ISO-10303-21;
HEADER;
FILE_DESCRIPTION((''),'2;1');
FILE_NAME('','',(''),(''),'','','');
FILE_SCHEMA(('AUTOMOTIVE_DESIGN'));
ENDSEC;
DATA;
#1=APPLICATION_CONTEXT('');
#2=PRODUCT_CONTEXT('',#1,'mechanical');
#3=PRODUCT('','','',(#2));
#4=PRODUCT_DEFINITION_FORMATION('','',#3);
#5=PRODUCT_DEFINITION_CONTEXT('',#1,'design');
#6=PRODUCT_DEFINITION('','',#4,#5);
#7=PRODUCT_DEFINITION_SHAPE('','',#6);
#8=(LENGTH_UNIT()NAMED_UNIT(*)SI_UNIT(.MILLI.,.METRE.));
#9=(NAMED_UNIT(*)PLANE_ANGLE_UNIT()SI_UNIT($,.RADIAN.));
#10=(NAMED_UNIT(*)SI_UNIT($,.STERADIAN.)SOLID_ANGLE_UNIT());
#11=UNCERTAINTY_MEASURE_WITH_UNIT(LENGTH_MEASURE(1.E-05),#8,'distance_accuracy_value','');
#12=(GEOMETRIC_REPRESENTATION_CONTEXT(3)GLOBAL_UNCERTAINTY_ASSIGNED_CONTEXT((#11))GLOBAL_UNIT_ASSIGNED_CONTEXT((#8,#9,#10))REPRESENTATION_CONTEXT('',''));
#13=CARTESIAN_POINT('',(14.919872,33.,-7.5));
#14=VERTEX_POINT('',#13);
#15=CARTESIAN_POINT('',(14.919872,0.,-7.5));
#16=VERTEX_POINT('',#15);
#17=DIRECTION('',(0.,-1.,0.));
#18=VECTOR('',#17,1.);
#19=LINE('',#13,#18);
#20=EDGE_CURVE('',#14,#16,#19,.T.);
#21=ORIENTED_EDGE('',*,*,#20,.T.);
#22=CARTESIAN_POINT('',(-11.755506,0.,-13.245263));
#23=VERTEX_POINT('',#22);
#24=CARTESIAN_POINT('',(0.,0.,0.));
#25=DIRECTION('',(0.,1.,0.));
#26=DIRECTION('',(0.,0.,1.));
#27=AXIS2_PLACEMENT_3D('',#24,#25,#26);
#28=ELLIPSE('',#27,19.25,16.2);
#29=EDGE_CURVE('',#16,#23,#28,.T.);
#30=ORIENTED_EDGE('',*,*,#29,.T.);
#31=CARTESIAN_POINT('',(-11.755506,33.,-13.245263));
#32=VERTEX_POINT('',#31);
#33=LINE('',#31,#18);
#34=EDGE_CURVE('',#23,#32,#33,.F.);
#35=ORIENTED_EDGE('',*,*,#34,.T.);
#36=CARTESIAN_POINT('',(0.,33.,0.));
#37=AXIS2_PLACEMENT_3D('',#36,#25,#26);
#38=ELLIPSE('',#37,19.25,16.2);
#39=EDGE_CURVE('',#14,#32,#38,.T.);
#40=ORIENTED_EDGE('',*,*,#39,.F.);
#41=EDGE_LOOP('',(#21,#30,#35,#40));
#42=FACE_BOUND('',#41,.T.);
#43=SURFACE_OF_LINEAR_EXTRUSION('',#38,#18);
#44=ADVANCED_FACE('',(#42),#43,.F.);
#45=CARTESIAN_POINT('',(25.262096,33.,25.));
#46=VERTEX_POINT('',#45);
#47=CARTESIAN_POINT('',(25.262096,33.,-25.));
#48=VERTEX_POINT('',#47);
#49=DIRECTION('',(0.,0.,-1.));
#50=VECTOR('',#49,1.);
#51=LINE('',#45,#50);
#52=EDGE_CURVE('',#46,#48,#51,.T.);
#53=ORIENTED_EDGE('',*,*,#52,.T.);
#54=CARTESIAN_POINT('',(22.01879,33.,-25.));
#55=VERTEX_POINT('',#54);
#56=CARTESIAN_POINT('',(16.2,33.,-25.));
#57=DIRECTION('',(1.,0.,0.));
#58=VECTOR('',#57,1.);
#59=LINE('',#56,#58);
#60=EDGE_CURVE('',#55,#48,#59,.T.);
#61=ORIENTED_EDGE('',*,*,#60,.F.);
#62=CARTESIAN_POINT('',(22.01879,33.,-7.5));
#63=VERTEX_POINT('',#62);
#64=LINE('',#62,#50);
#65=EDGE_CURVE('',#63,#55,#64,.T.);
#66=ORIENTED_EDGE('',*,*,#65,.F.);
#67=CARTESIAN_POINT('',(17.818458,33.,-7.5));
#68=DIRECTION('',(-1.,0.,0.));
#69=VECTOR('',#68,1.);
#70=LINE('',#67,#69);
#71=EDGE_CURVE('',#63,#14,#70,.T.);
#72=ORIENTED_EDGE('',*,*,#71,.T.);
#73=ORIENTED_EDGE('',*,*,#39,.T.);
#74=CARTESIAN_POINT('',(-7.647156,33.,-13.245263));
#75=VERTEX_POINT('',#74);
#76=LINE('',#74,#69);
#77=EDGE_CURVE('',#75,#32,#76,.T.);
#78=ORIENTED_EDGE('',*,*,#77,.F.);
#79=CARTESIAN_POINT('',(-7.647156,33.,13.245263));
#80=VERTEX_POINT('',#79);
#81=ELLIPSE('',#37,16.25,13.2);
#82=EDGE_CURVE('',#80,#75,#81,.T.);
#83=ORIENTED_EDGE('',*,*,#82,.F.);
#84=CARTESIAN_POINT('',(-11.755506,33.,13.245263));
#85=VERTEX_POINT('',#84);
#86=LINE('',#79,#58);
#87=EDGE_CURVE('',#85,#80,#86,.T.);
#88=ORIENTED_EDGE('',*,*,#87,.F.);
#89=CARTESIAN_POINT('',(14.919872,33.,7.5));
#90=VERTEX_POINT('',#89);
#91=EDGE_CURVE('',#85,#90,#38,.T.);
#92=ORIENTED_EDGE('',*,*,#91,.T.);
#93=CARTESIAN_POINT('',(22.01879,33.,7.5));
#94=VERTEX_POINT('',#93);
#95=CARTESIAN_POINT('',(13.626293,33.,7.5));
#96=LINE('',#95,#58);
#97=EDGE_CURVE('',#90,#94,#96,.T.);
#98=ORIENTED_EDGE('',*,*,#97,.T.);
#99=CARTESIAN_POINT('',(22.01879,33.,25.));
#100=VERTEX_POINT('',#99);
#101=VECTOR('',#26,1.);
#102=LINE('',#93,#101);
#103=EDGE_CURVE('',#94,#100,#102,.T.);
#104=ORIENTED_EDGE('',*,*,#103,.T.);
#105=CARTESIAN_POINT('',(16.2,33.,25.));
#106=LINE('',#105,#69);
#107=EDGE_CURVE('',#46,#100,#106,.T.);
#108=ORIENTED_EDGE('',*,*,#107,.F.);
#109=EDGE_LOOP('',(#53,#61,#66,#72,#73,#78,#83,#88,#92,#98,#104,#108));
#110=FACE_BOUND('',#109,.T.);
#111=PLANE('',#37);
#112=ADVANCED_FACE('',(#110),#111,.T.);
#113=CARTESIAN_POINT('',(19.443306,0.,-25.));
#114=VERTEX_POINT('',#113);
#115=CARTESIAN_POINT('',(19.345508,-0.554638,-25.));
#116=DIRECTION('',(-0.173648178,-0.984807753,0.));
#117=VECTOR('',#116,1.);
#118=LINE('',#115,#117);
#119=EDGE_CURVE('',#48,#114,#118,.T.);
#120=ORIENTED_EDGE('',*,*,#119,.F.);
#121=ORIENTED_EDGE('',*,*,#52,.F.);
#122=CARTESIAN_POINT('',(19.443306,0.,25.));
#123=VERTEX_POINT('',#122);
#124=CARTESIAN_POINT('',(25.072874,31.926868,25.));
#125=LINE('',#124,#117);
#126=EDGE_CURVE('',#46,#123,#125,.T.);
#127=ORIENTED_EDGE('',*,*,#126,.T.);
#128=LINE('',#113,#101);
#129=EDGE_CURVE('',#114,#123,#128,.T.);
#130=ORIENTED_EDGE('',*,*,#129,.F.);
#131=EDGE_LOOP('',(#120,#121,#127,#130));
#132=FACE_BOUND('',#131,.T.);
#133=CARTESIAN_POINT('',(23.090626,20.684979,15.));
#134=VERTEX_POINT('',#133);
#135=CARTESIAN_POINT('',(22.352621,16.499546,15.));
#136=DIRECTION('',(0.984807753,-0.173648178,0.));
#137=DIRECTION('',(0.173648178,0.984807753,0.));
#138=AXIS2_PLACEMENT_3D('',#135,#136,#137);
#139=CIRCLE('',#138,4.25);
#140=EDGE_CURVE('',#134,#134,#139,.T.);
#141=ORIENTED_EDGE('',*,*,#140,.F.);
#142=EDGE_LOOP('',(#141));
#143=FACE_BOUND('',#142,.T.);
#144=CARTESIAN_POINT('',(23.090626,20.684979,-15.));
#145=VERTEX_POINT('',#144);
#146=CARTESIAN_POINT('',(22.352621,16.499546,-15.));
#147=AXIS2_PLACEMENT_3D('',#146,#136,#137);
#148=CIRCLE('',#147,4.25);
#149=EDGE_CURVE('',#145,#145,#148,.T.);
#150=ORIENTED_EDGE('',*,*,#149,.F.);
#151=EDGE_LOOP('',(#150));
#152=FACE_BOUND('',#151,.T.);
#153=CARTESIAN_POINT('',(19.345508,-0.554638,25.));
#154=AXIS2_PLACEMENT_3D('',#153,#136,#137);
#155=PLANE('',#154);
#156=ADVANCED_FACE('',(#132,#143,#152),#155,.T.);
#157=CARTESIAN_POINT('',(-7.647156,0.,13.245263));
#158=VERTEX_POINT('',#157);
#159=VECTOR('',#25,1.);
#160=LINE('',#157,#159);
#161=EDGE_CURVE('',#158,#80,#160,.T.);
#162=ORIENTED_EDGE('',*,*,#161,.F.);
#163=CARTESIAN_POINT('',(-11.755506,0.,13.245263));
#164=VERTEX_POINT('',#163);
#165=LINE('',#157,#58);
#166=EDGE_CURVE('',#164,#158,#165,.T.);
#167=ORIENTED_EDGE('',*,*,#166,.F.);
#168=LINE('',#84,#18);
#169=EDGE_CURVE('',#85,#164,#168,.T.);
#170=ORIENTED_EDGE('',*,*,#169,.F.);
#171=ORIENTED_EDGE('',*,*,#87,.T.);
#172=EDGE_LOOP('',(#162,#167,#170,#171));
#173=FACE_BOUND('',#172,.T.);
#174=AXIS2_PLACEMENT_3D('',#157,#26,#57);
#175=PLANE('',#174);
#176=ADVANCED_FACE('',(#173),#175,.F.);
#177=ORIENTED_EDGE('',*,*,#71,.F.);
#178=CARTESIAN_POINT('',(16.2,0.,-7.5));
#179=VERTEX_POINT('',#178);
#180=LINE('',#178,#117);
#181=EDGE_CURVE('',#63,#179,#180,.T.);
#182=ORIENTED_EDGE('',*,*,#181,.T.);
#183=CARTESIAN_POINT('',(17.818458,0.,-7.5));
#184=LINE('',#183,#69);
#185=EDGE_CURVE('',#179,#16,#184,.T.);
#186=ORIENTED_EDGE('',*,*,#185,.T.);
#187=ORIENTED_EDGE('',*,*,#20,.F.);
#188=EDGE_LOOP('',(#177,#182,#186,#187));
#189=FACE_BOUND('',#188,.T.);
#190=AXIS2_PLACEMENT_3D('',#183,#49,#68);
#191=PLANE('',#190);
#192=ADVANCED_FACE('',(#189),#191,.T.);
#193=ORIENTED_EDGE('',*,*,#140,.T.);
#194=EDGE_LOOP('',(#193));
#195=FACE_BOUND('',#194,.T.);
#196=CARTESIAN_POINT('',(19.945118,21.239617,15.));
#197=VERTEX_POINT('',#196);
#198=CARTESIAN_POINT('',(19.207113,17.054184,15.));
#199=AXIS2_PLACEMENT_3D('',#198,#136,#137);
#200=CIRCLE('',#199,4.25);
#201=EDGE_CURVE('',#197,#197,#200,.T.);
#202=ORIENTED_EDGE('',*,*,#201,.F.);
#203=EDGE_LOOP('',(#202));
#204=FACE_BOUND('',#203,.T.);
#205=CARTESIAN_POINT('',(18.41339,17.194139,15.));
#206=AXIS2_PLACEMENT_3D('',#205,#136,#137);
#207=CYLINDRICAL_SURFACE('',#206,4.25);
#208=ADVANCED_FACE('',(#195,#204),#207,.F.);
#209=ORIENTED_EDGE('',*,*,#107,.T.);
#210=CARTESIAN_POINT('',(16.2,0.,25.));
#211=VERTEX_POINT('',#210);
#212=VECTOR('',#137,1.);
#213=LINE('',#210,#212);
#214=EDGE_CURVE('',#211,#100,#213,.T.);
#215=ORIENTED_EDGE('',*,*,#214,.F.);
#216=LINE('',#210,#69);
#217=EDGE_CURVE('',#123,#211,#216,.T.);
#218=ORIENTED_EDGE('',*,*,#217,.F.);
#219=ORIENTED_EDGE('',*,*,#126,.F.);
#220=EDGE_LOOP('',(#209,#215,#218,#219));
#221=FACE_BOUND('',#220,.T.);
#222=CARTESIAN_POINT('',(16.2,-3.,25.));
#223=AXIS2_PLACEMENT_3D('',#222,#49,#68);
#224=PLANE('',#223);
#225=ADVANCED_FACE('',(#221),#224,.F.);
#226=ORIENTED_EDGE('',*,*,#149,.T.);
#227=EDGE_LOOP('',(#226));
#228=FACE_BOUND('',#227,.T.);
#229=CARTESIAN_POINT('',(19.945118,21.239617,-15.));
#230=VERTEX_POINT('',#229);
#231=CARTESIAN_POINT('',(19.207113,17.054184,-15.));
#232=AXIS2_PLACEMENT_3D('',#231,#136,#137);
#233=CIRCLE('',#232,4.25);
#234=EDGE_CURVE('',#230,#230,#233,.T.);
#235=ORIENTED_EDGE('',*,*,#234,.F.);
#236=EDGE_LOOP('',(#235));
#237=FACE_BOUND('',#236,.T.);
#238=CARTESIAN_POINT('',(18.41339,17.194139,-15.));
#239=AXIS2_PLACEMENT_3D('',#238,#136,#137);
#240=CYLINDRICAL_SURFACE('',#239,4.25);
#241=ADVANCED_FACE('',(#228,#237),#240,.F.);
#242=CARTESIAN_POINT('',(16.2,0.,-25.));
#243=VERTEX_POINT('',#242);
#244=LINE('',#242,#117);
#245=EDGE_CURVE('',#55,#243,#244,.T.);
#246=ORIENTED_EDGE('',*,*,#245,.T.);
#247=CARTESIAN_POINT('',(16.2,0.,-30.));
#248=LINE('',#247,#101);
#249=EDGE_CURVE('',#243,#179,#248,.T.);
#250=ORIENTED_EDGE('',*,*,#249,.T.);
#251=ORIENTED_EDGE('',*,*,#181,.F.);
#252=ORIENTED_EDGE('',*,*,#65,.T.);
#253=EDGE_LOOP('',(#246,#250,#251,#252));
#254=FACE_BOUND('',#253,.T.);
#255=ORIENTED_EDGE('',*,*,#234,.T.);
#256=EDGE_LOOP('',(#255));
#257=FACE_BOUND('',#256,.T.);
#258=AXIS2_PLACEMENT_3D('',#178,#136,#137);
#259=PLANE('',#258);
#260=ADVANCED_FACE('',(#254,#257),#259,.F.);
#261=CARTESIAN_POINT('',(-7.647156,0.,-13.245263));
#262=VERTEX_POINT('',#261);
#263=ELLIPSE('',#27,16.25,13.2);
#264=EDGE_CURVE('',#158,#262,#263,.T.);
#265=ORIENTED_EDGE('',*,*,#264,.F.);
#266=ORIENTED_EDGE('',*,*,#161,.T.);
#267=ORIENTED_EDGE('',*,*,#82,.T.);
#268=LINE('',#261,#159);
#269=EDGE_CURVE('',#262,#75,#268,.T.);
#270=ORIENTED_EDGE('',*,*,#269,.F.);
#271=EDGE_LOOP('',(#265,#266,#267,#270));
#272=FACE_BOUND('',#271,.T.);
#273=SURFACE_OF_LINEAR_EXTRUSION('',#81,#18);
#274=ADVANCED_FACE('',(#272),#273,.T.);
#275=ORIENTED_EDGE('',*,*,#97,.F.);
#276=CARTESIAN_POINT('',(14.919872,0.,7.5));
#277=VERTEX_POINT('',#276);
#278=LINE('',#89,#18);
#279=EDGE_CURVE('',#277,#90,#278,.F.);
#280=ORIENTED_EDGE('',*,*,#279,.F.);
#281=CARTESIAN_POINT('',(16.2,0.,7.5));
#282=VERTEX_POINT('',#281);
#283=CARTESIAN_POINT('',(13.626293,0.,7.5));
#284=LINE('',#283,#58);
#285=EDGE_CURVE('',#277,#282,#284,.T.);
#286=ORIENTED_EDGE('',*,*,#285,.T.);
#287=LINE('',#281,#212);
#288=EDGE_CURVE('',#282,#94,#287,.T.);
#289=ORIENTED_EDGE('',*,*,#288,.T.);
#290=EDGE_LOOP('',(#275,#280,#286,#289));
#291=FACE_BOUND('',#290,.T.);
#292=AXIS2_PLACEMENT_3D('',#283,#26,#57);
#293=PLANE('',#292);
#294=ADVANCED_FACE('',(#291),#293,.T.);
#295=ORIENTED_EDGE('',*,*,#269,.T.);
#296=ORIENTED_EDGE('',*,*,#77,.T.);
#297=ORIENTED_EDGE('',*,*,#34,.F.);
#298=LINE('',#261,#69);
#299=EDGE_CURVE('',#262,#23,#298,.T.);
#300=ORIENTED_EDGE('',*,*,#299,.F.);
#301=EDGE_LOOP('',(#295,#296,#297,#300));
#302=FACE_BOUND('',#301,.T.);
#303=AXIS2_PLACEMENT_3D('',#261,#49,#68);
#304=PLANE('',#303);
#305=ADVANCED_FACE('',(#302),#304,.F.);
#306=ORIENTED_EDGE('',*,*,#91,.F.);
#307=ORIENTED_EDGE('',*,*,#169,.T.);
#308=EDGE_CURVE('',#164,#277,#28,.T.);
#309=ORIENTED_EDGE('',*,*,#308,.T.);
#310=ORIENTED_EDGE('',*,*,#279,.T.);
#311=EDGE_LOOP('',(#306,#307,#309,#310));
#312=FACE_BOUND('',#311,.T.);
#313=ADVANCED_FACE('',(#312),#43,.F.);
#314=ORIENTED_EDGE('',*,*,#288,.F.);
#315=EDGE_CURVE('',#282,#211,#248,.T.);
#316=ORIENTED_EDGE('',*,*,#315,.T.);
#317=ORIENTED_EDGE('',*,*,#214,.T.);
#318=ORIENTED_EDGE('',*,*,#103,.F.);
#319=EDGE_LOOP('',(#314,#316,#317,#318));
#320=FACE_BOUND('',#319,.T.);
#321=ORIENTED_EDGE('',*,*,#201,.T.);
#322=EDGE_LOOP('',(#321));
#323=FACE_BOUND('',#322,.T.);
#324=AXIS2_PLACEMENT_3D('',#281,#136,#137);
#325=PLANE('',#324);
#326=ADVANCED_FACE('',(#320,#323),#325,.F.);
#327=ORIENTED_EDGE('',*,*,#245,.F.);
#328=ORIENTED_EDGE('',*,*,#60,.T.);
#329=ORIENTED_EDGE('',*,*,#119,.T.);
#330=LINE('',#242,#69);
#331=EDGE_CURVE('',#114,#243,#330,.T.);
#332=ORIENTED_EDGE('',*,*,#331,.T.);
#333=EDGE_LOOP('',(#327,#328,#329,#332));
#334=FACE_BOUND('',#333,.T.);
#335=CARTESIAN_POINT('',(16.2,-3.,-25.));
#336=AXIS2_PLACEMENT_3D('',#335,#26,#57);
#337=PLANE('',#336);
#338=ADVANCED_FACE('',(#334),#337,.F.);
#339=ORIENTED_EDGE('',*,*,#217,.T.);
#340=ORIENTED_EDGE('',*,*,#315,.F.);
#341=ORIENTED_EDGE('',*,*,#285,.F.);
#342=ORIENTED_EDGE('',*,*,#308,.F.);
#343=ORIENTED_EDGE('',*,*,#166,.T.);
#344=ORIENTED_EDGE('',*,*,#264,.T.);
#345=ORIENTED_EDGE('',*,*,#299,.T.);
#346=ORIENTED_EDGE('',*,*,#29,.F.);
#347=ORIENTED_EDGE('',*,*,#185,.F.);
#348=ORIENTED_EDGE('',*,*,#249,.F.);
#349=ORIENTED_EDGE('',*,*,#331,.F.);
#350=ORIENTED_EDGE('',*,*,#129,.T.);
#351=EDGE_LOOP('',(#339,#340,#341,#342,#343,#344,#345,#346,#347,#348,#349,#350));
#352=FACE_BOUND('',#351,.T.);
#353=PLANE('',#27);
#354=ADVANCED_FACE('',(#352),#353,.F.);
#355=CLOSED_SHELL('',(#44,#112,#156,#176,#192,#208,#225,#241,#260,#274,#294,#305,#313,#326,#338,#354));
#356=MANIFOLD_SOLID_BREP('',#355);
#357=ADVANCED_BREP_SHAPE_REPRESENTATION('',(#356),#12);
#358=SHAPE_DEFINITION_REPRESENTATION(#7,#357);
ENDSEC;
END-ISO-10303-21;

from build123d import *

# Parameters (mm, degrees)
CROQUIS1_RX                  = 19.25
CROQUIS1_RY                  = 16.2
CROQUIS1_RX_2                = 16.25
CROQUIS1_RY_2                = 13.2
SALIENTE_EXTRUIR1_DEPTH      = 33
CORTAR_EXTRUIR1_DEPTH        = 33
SALIENTE_EXTRUIR2_DEPTH      = 30
SALIENTE_EXTRUIR2_DEPTH_BACK = 30
CROQUIS4_W                   = 5.818790363
CROQUIS4_H                   = 5
CORTAR_EXTRUIR2_DEPTH        = 36
SALIENTE_EXTRUIR4_DEPTH      = 33
SALIENTE_EXTRUIR5_DEPTH      = 50
CORTAR_EXTRUIR3_DEPTH        = 50
CORTAR_EXTRUIR4_START        = -17.5
CORTAR_EXTRUIR4_DEPTH        = 17.5
CORTAR_EXTRUIR5_START        = -17.5
CORTAR_EXTRUIR5_DEPTH        = 17.5
CROQUIS11_R                  = 4.25
CORTAR_EXTRUIR6_DEPTH        = 4


with BuildPart() as part:
    # Croquis1 → Saliente-Extruir1 (new body)
    with BuildSketch(Plane(origin=(0, 0, 0), x_dir=(1, 0, 0), z_dir=(0, 1, 0))):
        with Locations(Location((0, 0), (0, 0, -90))):
            Ellipse(CROQUIS1_RX, CROQUIS1_RY)
        with Locations(Location((0, 0), (0, 0, -90))):
            Ellipse(CROQUIS1_RX_2, CROQUIS1_RY_2, mode=Mode.SUBTRACT)
    extrude(amount=SALIENTE_EXTRUIR1_DEPTH)

    # Croquis2 → Cortar-Extruir1 (cut)
    with BuildSketch(Plane(origin=(0, 33, 0), x_dir=(1, 0, 0), z_dir=(0, 1, 0))):
        Polygon((0, 0), (-7.647156017, 13.245262755), (-17.669144049, 13.245262755), (-24.728519105, -10.297452091), (-13.467362336, -13.245262755), (-7.647156017, -13.245262755), align=None)
    extrude(amount=-CORTAR_EXTRUIR1_DEPTH, mode=Mode.SUBTRACT)



with BuildPart() as body_2:
    # Croquis3 → Saliente-Extruir2 (new, two sides: drawn at the far end of the back side and taken through both)
    with BuildSketch(Plane.XY.offset(-SALIENTE_EXTRUIR2_DEPTH_BACK)):
        Polygon((16.2, 0), (22.018790363, 33), (16.2, 33), align=None)
    extrude(amount=SALIENTE_EXTRUIR2_DEPTH + SALIENTE_EXTRUIR2_DEPTH_BACK)

    # Croquis4 → Cortar-Extruir2 (cut)
    with BuildSketch(Plane(origin=(0, 33, 0), x_dir=(1, 0, 0), z_dir=(0, 1, 0))):
        with Locations((19.109395181, 27.5)):
            Rectangle(CROQUIS4_W, CROQUIS4_H)
        with Locations((19.109395181, -27.5)):
            Rectangle(CROQUIS4_W, CROQUIS4_H)
    extrude(amount=-CORTAR_EXTRUIR2_DEPTH, mode=Mode.SUBTRACT)


with BuildPart() as part_1:
    add(part.part)

    add(body_2.part)  # Saliente-Extruir4 merges body 2
    # Croquis5 → Saliente-Extruir4 (add)
    with BuildSketch(Plane(origin=(0, 33, 0), x_dir=(1, 0, 0), z_dir=(0, 1, 0))):
        Polygon((17.818457755, 0), (17.818457755, 7.5), (13.626292681, 7.5), (13.626292681, -7.5), (17.818457755, -7.5), align=None)
    extrude(amount=-SALIENTE_EXTRUIR4_DEPTH)

    # Croquis6 → Saliente-Extruir5 (add)
    with BuildSketch(Plane(origin=(0, 0, -25), x_dir=(-1, 0, 0), z_dir=(0, 0, -1))):
        Polygon((-22.018790363, 33), (-16.2, 0), (-19.345508023, -0.554637933), (-25.072873954, 31.926868346), (-25.262096019, 33), align=None)
    extrude(amount=-SALIENTE_EXTRUIR5_DEPTH)

    # Croquis7 → Cortar-Extruir3 (cut)
    with BuildSketch(Plane.XY.offset(25)):
        Polygon((16.2, 0), (19.443305655, 0), (19.345508023, -0.554637933), align=None)
    extrude(amount=-CORTAR_EXTRUIR3_DEPTH, mode=Mode.SUBTRACT)

    # Croquis8 → Cortar-Extruir4 (cut)
    with BuildSketch(Plane.XY.offset(25).offset(CORTAR_EXTRUIR4_START)):
        Polygon((16.2, 0), (22.018790363, 33), (16.2, 33), align=None)
    extrude(amount=CORTAR_EXTRUIR4_DEPTH, mode=Mode.SUBTRACT)

    # Croquis9 → Cortar-Extruir5 (cut)
    with BuildSketch(Plane(origin=(0, 0, -25), x_dir=(-1, 0, 0), z_dir=(0, 0, -1)).offset(CORTAR_EXTRUIR5_START)):
        Polygon((-16.2, 0), (-22.018790363, 33), (-16.2, 33), align=None)
    extrude(amount=CORTAR_EXTRUIR5_DEPTH, mode=Mode.SUBTRACT)

    # Croquis11 → Cortar-Extruir6 (cut)
    with BuildSketch(Plane(origin=(18.857018252, -3.325001094, 0), x_dir=(0, 0, -1), z_dir=(0.984807753012208, -0.17364817766693103, 0))):
        with Locations(Location((-15, 20.130372787, 0), (0, 0, 90))):
            Circle(CROQUIS11_R)
        with Locations(Location((15, 20.130372787, 0), (0, 0, 90))):
            Circle(CROQUIS11_R)
    extrude(amount=-CORTAR_EXTRUIR6_DEPTH, mode=Mode.SUBTRACT)


solid = part_1.part
